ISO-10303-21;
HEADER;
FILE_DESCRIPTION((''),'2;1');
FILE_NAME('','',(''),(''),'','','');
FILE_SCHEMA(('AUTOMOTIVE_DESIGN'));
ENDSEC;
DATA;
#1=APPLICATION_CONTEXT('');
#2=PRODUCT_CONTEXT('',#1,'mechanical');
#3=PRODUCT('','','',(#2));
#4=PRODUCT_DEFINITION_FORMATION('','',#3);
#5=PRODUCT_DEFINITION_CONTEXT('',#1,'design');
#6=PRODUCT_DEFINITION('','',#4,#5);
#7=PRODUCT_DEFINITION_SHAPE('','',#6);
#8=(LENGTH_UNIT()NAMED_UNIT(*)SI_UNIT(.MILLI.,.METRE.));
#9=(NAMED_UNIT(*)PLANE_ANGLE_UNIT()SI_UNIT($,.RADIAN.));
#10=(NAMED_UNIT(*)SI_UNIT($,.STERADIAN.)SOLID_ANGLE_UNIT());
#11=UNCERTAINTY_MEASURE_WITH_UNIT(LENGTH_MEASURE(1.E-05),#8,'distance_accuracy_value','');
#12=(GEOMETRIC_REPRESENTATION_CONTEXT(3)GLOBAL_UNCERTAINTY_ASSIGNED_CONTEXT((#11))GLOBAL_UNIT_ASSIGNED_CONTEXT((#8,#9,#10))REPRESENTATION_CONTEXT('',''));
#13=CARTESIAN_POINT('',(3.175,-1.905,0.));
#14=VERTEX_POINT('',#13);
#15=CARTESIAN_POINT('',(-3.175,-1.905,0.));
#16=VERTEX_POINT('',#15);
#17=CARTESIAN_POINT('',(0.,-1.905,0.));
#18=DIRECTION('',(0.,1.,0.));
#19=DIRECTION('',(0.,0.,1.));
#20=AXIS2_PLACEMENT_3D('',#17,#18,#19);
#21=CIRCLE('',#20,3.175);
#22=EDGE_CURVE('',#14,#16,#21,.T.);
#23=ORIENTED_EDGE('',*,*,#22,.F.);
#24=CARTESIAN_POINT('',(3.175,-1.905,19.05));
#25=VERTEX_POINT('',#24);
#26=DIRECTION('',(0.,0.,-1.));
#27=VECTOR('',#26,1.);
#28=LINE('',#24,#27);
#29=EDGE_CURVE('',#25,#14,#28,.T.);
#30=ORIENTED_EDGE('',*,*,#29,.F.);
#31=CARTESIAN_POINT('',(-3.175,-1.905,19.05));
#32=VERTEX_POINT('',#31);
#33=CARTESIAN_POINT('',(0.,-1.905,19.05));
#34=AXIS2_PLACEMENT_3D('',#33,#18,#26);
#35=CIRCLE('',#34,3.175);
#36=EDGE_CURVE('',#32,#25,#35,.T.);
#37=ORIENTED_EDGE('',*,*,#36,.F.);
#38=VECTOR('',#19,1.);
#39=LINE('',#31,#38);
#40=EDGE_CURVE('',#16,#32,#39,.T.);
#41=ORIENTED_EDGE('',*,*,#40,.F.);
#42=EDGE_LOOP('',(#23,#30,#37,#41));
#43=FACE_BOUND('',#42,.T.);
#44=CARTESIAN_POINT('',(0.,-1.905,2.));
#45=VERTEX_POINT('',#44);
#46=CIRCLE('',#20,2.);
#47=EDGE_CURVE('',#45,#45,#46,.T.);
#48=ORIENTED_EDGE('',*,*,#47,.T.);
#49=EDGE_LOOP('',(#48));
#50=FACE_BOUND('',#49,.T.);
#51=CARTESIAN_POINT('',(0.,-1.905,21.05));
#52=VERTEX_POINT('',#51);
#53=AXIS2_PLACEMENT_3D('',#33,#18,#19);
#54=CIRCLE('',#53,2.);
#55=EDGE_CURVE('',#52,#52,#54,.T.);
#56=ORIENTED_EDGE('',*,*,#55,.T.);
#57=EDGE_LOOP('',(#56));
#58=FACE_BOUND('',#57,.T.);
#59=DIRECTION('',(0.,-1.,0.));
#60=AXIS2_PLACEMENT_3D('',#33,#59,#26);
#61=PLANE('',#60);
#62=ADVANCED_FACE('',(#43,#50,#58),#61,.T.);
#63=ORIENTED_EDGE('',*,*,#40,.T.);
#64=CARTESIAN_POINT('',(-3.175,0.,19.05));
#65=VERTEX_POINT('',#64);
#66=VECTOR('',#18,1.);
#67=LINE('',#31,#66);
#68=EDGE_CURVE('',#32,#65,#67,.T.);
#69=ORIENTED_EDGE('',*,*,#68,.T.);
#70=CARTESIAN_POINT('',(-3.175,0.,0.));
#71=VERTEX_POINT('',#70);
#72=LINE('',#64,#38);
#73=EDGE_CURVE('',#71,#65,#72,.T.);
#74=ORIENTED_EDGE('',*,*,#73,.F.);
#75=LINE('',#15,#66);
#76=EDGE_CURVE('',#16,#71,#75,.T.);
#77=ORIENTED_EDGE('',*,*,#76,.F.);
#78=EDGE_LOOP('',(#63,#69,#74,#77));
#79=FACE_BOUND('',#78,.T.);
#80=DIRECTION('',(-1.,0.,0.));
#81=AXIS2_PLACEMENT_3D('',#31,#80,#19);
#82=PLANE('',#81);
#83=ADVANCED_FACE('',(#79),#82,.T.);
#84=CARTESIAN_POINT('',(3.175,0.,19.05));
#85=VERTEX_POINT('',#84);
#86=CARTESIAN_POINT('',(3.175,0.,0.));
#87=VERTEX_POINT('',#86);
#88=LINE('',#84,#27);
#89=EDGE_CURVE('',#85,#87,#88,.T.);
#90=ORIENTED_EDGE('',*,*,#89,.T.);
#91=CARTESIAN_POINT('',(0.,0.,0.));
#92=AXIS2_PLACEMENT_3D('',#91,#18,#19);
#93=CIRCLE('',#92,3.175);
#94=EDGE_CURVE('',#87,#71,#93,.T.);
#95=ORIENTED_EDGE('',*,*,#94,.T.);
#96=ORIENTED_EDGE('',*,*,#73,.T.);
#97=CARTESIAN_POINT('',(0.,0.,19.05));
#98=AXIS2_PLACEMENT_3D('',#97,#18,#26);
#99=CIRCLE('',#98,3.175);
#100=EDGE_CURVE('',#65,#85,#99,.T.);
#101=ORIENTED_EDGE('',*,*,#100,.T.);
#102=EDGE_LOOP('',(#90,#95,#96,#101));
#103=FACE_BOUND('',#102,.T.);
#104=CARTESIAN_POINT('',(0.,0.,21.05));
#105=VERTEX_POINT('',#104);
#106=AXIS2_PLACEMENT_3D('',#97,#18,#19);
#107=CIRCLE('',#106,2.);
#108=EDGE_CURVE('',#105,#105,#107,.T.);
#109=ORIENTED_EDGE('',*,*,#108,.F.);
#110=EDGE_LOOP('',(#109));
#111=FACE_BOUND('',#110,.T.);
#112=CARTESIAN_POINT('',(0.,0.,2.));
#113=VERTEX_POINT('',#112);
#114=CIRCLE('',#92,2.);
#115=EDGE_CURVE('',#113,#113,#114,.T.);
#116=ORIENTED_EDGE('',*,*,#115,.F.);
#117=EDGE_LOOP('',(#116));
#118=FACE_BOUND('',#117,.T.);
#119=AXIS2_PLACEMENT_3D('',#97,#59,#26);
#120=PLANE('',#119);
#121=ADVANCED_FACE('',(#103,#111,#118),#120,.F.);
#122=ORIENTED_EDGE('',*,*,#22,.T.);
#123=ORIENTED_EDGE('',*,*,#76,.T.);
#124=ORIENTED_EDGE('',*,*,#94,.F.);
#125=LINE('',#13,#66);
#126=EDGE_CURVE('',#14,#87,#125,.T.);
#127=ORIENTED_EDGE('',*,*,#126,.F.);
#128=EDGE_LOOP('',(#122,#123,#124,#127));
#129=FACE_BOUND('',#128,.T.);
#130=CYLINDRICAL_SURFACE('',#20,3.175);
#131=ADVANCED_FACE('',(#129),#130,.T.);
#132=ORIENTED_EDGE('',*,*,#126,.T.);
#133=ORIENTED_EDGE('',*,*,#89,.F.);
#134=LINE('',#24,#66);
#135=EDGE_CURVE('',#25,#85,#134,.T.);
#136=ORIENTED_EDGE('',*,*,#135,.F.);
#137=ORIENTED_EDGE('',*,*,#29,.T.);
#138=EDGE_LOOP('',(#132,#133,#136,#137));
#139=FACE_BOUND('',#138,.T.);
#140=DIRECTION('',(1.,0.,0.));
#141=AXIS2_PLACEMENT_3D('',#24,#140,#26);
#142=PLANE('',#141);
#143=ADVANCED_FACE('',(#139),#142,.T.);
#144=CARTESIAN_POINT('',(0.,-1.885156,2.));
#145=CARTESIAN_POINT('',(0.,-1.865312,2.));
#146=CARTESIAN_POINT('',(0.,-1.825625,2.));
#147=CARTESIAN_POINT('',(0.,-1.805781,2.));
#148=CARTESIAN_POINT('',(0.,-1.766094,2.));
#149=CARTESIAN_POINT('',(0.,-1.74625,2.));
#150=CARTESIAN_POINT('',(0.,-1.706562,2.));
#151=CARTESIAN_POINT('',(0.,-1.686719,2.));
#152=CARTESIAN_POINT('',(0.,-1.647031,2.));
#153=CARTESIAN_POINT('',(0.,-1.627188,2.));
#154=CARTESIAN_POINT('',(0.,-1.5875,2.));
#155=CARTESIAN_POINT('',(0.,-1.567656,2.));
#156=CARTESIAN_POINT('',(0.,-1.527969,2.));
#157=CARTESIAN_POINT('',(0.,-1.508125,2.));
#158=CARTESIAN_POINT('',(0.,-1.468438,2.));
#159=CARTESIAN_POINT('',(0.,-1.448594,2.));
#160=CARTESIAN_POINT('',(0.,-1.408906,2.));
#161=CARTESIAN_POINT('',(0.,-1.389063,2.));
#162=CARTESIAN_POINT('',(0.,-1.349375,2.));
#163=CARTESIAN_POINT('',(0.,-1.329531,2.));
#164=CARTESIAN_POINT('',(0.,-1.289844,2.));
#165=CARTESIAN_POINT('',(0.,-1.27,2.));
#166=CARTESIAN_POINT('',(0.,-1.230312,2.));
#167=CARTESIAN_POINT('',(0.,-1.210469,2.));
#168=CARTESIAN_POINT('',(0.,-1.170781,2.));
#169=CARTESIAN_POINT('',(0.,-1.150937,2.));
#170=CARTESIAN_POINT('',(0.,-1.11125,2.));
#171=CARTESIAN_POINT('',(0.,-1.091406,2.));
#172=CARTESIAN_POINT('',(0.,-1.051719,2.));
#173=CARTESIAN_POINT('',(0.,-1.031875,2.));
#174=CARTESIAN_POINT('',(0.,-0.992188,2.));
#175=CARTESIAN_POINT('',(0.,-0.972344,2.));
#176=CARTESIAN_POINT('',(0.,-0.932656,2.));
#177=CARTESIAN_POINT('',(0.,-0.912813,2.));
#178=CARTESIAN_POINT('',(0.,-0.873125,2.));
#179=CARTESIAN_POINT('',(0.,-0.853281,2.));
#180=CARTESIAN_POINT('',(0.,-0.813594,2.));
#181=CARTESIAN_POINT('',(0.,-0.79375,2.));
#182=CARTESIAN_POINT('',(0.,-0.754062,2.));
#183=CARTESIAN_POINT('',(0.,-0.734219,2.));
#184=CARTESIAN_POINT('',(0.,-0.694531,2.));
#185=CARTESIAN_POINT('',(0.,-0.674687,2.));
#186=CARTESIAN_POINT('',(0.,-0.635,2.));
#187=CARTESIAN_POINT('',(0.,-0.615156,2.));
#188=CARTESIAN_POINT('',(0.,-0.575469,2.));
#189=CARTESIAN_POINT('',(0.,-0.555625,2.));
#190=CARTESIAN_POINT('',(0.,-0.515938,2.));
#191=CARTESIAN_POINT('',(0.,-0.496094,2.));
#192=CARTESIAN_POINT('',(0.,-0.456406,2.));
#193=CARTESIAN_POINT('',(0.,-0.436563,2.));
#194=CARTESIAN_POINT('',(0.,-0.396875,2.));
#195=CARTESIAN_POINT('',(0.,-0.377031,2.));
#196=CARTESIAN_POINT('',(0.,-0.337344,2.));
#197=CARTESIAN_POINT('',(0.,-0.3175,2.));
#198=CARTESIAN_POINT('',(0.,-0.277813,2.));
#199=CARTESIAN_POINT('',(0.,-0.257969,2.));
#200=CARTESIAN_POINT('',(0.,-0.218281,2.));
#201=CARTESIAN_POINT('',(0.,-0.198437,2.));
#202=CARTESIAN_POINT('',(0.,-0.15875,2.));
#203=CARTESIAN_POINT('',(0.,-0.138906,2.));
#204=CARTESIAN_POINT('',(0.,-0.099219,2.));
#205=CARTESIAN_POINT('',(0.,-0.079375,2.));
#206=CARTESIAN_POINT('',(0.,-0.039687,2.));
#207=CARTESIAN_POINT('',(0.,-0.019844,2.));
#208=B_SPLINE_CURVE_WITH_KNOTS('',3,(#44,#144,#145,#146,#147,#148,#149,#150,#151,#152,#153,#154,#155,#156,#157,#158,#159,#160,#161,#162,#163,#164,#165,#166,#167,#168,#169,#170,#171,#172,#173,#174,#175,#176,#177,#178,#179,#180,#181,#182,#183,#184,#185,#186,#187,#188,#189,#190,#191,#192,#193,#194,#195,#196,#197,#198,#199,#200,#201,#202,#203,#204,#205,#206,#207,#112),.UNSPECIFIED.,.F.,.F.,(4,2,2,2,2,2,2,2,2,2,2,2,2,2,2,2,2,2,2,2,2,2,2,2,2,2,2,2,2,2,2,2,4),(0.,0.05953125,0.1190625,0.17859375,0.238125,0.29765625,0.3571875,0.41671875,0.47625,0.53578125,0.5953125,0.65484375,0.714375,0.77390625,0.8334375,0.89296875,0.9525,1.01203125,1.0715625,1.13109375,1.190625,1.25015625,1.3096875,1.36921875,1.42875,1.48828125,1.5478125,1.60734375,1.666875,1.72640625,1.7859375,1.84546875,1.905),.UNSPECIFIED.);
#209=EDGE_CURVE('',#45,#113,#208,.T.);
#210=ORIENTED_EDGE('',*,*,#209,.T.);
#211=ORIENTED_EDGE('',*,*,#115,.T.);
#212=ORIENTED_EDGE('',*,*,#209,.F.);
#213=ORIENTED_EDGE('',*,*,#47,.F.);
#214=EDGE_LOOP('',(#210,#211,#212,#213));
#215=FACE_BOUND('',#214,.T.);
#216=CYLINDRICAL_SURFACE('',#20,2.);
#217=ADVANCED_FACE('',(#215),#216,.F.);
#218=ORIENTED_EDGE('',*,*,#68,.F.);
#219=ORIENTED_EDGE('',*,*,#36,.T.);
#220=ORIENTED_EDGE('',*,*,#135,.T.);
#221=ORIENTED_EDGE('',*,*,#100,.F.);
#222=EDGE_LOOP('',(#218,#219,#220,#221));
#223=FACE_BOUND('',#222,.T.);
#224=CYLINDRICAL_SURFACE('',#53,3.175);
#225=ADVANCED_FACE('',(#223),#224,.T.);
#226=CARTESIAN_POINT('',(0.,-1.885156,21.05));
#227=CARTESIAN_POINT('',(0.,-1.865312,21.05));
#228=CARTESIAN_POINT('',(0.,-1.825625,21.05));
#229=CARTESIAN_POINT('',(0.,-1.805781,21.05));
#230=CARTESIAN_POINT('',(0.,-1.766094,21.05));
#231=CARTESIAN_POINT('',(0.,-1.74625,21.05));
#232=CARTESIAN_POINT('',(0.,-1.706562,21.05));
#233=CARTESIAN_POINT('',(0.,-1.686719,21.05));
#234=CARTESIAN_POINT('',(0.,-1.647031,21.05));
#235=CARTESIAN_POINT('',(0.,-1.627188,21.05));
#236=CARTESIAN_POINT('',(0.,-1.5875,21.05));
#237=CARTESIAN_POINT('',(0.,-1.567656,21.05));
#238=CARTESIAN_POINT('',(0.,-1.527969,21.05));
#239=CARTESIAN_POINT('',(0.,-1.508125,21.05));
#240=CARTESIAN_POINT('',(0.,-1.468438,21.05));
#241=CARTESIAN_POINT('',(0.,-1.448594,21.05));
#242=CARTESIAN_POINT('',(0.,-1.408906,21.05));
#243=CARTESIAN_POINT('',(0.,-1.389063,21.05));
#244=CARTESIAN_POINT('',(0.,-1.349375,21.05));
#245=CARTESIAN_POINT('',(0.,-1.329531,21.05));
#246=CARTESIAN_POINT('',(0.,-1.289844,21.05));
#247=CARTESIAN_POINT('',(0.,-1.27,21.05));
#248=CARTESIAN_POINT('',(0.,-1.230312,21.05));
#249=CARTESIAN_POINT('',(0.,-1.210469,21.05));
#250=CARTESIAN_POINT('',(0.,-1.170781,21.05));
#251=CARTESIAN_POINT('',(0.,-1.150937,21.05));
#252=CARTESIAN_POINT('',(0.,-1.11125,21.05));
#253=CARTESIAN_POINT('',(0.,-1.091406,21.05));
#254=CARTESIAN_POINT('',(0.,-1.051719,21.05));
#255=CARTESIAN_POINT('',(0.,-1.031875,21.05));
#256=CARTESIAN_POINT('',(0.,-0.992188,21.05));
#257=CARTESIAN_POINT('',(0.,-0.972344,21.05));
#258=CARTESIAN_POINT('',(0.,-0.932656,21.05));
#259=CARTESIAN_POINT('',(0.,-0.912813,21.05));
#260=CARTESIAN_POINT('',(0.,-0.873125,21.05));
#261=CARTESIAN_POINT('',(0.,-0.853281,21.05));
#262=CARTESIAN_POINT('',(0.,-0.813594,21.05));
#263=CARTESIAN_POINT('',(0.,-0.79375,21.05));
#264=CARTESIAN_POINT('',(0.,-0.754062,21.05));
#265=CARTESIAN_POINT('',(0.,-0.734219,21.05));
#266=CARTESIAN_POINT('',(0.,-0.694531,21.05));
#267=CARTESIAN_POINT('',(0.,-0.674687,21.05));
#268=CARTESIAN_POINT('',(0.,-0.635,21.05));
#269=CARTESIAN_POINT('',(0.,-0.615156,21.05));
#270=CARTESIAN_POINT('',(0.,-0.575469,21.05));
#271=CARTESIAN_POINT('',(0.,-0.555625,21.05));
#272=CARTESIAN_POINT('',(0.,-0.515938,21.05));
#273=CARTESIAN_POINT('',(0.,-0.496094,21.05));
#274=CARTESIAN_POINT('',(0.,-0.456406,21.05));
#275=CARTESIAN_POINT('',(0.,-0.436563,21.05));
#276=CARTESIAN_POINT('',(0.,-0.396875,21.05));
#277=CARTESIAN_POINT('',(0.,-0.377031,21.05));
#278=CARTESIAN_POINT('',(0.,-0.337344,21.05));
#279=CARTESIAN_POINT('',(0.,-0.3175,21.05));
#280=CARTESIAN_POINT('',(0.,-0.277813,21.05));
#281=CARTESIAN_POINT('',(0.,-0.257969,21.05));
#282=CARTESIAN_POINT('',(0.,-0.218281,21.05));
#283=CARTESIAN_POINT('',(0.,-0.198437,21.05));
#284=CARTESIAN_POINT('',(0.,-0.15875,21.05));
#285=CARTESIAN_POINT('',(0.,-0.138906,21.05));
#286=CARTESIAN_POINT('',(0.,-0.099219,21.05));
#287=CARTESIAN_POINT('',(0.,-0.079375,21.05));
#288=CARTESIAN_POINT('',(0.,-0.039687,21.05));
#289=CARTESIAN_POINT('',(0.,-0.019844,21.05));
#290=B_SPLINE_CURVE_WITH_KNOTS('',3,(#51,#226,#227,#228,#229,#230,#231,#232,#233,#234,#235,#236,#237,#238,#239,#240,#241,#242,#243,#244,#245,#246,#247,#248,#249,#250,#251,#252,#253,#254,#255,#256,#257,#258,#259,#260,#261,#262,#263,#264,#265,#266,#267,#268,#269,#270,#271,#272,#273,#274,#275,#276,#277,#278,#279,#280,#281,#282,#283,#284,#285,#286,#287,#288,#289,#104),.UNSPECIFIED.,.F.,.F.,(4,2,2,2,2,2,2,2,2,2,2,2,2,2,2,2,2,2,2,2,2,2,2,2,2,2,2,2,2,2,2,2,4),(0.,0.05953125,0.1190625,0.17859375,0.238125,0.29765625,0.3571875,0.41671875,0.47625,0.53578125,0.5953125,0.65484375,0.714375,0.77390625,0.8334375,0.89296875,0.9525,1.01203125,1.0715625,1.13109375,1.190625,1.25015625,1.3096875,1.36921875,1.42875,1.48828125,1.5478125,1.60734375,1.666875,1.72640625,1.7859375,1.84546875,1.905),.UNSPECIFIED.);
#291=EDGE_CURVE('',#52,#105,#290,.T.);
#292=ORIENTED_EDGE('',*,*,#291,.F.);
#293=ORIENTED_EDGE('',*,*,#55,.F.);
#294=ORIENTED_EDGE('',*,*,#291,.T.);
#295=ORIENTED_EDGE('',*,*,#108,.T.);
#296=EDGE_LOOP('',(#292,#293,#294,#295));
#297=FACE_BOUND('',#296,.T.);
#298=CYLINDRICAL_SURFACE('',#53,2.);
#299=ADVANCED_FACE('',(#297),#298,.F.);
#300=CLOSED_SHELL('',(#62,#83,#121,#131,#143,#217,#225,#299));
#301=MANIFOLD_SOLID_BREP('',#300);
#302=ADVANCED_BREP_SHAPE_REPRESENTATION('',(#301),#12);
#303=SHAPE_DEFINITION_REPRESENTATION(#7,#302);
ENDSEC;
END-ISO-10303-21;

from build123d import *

# Parameters (mm, degrees)
SKETCH1_R           = 2
BOSS_EXTRUDE1_DEPTH = 1.905


with BuildPart() as part:
    # Sketch1 → Boss-Extrude1 (new body)
    with BuildSketch(Plane(origin=(0, 0, 0), x_dir=(1, 0, 0), z_dir=(0, 1, 0))):
        with BuildLine():
            Line((3.175, -19.05), (3.175, 0))
            ThreePointArc((3.175, 0), (0, 3.175), (-3.175, 0))
            Line((-3.175, 0), (-3.175, -19.05))
            ThreePointArc((-3.175, -19.05), (0, -22.225), (3.175, -19.05))
        make_face()
        with Locations(Location((0, 0, 0), (0, 0, 270))):
            Circle(SKETCH1_R, mode=Mode.SUBTRACT)
        with Locations(Location((0, -19.05, 0), (0, 0, 270))):
            Circle(SKETCH1_R, mode=Mode.SUBTRACT)
    extrude(amount=-BOSS_EXTRUDE1_DEPTH)


solid = part.part
